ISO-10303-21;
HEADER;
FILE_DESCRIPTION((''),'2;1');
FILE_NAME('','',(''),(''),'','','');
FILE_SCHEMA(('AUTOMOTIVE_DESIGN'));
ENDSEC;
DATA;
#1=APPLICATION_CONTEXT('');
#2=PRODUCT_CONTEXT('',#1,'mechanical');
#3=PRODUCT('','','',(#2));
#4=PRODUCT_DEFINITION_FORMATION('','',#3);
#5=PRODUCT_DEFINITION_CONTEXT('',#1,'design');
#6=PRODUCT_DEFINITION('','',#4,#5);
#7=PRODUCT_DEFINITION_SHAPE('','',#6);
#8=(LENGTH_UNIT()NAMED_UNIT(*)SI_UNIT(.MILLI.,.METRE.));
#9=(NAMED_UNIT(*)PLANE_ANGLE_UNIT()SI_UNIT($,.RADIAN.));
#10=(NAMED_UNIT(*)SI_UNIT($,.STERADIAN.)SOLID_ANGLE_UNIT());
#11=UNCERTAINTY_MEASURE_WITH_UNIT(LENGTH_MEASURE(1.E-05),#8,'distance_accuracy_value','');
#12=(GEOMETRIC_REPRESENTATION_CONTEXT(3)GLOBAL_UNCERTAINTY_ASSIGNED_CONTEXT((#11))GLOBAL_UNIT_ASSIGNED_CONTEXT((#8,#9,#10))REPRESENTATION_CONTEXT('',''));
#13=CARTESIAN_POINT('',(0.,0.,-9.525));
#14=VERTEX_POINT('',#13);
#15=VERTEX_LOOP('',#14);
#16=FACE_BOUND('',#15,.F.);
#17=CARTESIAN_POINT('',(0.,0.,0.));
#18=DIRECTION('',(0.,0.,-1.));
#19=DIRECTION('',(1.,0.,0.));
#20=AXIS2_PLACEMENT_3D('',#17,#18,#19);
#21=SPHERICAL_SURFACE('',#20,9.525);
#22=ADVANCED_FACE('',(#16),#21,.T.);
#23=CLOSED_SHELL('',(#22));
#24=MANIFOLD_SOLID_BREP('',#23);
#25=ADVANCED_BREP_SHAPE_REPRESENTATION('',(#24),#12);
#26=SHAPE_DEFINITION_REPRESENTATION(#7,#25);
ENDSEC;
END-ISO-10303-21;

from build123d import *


with BuildPart() as part:
    # Sketch1 → Revolve1 (revolve)
    with BuildSketch(Plane(origin=(0, 0, 0), x_dir=(1, 0, 0), z_dir=(0, 1, 0))):
        with BuildLine():
            Line((0, 9.525), (0, -9.525))
            ThreePointArc((0, -9.525), (9.525, 0), (0, 9.525))
        make_face()
    revolve(axis=Axis((0, 0, -9.525), (0, 0, 1)))


solid = part.part
